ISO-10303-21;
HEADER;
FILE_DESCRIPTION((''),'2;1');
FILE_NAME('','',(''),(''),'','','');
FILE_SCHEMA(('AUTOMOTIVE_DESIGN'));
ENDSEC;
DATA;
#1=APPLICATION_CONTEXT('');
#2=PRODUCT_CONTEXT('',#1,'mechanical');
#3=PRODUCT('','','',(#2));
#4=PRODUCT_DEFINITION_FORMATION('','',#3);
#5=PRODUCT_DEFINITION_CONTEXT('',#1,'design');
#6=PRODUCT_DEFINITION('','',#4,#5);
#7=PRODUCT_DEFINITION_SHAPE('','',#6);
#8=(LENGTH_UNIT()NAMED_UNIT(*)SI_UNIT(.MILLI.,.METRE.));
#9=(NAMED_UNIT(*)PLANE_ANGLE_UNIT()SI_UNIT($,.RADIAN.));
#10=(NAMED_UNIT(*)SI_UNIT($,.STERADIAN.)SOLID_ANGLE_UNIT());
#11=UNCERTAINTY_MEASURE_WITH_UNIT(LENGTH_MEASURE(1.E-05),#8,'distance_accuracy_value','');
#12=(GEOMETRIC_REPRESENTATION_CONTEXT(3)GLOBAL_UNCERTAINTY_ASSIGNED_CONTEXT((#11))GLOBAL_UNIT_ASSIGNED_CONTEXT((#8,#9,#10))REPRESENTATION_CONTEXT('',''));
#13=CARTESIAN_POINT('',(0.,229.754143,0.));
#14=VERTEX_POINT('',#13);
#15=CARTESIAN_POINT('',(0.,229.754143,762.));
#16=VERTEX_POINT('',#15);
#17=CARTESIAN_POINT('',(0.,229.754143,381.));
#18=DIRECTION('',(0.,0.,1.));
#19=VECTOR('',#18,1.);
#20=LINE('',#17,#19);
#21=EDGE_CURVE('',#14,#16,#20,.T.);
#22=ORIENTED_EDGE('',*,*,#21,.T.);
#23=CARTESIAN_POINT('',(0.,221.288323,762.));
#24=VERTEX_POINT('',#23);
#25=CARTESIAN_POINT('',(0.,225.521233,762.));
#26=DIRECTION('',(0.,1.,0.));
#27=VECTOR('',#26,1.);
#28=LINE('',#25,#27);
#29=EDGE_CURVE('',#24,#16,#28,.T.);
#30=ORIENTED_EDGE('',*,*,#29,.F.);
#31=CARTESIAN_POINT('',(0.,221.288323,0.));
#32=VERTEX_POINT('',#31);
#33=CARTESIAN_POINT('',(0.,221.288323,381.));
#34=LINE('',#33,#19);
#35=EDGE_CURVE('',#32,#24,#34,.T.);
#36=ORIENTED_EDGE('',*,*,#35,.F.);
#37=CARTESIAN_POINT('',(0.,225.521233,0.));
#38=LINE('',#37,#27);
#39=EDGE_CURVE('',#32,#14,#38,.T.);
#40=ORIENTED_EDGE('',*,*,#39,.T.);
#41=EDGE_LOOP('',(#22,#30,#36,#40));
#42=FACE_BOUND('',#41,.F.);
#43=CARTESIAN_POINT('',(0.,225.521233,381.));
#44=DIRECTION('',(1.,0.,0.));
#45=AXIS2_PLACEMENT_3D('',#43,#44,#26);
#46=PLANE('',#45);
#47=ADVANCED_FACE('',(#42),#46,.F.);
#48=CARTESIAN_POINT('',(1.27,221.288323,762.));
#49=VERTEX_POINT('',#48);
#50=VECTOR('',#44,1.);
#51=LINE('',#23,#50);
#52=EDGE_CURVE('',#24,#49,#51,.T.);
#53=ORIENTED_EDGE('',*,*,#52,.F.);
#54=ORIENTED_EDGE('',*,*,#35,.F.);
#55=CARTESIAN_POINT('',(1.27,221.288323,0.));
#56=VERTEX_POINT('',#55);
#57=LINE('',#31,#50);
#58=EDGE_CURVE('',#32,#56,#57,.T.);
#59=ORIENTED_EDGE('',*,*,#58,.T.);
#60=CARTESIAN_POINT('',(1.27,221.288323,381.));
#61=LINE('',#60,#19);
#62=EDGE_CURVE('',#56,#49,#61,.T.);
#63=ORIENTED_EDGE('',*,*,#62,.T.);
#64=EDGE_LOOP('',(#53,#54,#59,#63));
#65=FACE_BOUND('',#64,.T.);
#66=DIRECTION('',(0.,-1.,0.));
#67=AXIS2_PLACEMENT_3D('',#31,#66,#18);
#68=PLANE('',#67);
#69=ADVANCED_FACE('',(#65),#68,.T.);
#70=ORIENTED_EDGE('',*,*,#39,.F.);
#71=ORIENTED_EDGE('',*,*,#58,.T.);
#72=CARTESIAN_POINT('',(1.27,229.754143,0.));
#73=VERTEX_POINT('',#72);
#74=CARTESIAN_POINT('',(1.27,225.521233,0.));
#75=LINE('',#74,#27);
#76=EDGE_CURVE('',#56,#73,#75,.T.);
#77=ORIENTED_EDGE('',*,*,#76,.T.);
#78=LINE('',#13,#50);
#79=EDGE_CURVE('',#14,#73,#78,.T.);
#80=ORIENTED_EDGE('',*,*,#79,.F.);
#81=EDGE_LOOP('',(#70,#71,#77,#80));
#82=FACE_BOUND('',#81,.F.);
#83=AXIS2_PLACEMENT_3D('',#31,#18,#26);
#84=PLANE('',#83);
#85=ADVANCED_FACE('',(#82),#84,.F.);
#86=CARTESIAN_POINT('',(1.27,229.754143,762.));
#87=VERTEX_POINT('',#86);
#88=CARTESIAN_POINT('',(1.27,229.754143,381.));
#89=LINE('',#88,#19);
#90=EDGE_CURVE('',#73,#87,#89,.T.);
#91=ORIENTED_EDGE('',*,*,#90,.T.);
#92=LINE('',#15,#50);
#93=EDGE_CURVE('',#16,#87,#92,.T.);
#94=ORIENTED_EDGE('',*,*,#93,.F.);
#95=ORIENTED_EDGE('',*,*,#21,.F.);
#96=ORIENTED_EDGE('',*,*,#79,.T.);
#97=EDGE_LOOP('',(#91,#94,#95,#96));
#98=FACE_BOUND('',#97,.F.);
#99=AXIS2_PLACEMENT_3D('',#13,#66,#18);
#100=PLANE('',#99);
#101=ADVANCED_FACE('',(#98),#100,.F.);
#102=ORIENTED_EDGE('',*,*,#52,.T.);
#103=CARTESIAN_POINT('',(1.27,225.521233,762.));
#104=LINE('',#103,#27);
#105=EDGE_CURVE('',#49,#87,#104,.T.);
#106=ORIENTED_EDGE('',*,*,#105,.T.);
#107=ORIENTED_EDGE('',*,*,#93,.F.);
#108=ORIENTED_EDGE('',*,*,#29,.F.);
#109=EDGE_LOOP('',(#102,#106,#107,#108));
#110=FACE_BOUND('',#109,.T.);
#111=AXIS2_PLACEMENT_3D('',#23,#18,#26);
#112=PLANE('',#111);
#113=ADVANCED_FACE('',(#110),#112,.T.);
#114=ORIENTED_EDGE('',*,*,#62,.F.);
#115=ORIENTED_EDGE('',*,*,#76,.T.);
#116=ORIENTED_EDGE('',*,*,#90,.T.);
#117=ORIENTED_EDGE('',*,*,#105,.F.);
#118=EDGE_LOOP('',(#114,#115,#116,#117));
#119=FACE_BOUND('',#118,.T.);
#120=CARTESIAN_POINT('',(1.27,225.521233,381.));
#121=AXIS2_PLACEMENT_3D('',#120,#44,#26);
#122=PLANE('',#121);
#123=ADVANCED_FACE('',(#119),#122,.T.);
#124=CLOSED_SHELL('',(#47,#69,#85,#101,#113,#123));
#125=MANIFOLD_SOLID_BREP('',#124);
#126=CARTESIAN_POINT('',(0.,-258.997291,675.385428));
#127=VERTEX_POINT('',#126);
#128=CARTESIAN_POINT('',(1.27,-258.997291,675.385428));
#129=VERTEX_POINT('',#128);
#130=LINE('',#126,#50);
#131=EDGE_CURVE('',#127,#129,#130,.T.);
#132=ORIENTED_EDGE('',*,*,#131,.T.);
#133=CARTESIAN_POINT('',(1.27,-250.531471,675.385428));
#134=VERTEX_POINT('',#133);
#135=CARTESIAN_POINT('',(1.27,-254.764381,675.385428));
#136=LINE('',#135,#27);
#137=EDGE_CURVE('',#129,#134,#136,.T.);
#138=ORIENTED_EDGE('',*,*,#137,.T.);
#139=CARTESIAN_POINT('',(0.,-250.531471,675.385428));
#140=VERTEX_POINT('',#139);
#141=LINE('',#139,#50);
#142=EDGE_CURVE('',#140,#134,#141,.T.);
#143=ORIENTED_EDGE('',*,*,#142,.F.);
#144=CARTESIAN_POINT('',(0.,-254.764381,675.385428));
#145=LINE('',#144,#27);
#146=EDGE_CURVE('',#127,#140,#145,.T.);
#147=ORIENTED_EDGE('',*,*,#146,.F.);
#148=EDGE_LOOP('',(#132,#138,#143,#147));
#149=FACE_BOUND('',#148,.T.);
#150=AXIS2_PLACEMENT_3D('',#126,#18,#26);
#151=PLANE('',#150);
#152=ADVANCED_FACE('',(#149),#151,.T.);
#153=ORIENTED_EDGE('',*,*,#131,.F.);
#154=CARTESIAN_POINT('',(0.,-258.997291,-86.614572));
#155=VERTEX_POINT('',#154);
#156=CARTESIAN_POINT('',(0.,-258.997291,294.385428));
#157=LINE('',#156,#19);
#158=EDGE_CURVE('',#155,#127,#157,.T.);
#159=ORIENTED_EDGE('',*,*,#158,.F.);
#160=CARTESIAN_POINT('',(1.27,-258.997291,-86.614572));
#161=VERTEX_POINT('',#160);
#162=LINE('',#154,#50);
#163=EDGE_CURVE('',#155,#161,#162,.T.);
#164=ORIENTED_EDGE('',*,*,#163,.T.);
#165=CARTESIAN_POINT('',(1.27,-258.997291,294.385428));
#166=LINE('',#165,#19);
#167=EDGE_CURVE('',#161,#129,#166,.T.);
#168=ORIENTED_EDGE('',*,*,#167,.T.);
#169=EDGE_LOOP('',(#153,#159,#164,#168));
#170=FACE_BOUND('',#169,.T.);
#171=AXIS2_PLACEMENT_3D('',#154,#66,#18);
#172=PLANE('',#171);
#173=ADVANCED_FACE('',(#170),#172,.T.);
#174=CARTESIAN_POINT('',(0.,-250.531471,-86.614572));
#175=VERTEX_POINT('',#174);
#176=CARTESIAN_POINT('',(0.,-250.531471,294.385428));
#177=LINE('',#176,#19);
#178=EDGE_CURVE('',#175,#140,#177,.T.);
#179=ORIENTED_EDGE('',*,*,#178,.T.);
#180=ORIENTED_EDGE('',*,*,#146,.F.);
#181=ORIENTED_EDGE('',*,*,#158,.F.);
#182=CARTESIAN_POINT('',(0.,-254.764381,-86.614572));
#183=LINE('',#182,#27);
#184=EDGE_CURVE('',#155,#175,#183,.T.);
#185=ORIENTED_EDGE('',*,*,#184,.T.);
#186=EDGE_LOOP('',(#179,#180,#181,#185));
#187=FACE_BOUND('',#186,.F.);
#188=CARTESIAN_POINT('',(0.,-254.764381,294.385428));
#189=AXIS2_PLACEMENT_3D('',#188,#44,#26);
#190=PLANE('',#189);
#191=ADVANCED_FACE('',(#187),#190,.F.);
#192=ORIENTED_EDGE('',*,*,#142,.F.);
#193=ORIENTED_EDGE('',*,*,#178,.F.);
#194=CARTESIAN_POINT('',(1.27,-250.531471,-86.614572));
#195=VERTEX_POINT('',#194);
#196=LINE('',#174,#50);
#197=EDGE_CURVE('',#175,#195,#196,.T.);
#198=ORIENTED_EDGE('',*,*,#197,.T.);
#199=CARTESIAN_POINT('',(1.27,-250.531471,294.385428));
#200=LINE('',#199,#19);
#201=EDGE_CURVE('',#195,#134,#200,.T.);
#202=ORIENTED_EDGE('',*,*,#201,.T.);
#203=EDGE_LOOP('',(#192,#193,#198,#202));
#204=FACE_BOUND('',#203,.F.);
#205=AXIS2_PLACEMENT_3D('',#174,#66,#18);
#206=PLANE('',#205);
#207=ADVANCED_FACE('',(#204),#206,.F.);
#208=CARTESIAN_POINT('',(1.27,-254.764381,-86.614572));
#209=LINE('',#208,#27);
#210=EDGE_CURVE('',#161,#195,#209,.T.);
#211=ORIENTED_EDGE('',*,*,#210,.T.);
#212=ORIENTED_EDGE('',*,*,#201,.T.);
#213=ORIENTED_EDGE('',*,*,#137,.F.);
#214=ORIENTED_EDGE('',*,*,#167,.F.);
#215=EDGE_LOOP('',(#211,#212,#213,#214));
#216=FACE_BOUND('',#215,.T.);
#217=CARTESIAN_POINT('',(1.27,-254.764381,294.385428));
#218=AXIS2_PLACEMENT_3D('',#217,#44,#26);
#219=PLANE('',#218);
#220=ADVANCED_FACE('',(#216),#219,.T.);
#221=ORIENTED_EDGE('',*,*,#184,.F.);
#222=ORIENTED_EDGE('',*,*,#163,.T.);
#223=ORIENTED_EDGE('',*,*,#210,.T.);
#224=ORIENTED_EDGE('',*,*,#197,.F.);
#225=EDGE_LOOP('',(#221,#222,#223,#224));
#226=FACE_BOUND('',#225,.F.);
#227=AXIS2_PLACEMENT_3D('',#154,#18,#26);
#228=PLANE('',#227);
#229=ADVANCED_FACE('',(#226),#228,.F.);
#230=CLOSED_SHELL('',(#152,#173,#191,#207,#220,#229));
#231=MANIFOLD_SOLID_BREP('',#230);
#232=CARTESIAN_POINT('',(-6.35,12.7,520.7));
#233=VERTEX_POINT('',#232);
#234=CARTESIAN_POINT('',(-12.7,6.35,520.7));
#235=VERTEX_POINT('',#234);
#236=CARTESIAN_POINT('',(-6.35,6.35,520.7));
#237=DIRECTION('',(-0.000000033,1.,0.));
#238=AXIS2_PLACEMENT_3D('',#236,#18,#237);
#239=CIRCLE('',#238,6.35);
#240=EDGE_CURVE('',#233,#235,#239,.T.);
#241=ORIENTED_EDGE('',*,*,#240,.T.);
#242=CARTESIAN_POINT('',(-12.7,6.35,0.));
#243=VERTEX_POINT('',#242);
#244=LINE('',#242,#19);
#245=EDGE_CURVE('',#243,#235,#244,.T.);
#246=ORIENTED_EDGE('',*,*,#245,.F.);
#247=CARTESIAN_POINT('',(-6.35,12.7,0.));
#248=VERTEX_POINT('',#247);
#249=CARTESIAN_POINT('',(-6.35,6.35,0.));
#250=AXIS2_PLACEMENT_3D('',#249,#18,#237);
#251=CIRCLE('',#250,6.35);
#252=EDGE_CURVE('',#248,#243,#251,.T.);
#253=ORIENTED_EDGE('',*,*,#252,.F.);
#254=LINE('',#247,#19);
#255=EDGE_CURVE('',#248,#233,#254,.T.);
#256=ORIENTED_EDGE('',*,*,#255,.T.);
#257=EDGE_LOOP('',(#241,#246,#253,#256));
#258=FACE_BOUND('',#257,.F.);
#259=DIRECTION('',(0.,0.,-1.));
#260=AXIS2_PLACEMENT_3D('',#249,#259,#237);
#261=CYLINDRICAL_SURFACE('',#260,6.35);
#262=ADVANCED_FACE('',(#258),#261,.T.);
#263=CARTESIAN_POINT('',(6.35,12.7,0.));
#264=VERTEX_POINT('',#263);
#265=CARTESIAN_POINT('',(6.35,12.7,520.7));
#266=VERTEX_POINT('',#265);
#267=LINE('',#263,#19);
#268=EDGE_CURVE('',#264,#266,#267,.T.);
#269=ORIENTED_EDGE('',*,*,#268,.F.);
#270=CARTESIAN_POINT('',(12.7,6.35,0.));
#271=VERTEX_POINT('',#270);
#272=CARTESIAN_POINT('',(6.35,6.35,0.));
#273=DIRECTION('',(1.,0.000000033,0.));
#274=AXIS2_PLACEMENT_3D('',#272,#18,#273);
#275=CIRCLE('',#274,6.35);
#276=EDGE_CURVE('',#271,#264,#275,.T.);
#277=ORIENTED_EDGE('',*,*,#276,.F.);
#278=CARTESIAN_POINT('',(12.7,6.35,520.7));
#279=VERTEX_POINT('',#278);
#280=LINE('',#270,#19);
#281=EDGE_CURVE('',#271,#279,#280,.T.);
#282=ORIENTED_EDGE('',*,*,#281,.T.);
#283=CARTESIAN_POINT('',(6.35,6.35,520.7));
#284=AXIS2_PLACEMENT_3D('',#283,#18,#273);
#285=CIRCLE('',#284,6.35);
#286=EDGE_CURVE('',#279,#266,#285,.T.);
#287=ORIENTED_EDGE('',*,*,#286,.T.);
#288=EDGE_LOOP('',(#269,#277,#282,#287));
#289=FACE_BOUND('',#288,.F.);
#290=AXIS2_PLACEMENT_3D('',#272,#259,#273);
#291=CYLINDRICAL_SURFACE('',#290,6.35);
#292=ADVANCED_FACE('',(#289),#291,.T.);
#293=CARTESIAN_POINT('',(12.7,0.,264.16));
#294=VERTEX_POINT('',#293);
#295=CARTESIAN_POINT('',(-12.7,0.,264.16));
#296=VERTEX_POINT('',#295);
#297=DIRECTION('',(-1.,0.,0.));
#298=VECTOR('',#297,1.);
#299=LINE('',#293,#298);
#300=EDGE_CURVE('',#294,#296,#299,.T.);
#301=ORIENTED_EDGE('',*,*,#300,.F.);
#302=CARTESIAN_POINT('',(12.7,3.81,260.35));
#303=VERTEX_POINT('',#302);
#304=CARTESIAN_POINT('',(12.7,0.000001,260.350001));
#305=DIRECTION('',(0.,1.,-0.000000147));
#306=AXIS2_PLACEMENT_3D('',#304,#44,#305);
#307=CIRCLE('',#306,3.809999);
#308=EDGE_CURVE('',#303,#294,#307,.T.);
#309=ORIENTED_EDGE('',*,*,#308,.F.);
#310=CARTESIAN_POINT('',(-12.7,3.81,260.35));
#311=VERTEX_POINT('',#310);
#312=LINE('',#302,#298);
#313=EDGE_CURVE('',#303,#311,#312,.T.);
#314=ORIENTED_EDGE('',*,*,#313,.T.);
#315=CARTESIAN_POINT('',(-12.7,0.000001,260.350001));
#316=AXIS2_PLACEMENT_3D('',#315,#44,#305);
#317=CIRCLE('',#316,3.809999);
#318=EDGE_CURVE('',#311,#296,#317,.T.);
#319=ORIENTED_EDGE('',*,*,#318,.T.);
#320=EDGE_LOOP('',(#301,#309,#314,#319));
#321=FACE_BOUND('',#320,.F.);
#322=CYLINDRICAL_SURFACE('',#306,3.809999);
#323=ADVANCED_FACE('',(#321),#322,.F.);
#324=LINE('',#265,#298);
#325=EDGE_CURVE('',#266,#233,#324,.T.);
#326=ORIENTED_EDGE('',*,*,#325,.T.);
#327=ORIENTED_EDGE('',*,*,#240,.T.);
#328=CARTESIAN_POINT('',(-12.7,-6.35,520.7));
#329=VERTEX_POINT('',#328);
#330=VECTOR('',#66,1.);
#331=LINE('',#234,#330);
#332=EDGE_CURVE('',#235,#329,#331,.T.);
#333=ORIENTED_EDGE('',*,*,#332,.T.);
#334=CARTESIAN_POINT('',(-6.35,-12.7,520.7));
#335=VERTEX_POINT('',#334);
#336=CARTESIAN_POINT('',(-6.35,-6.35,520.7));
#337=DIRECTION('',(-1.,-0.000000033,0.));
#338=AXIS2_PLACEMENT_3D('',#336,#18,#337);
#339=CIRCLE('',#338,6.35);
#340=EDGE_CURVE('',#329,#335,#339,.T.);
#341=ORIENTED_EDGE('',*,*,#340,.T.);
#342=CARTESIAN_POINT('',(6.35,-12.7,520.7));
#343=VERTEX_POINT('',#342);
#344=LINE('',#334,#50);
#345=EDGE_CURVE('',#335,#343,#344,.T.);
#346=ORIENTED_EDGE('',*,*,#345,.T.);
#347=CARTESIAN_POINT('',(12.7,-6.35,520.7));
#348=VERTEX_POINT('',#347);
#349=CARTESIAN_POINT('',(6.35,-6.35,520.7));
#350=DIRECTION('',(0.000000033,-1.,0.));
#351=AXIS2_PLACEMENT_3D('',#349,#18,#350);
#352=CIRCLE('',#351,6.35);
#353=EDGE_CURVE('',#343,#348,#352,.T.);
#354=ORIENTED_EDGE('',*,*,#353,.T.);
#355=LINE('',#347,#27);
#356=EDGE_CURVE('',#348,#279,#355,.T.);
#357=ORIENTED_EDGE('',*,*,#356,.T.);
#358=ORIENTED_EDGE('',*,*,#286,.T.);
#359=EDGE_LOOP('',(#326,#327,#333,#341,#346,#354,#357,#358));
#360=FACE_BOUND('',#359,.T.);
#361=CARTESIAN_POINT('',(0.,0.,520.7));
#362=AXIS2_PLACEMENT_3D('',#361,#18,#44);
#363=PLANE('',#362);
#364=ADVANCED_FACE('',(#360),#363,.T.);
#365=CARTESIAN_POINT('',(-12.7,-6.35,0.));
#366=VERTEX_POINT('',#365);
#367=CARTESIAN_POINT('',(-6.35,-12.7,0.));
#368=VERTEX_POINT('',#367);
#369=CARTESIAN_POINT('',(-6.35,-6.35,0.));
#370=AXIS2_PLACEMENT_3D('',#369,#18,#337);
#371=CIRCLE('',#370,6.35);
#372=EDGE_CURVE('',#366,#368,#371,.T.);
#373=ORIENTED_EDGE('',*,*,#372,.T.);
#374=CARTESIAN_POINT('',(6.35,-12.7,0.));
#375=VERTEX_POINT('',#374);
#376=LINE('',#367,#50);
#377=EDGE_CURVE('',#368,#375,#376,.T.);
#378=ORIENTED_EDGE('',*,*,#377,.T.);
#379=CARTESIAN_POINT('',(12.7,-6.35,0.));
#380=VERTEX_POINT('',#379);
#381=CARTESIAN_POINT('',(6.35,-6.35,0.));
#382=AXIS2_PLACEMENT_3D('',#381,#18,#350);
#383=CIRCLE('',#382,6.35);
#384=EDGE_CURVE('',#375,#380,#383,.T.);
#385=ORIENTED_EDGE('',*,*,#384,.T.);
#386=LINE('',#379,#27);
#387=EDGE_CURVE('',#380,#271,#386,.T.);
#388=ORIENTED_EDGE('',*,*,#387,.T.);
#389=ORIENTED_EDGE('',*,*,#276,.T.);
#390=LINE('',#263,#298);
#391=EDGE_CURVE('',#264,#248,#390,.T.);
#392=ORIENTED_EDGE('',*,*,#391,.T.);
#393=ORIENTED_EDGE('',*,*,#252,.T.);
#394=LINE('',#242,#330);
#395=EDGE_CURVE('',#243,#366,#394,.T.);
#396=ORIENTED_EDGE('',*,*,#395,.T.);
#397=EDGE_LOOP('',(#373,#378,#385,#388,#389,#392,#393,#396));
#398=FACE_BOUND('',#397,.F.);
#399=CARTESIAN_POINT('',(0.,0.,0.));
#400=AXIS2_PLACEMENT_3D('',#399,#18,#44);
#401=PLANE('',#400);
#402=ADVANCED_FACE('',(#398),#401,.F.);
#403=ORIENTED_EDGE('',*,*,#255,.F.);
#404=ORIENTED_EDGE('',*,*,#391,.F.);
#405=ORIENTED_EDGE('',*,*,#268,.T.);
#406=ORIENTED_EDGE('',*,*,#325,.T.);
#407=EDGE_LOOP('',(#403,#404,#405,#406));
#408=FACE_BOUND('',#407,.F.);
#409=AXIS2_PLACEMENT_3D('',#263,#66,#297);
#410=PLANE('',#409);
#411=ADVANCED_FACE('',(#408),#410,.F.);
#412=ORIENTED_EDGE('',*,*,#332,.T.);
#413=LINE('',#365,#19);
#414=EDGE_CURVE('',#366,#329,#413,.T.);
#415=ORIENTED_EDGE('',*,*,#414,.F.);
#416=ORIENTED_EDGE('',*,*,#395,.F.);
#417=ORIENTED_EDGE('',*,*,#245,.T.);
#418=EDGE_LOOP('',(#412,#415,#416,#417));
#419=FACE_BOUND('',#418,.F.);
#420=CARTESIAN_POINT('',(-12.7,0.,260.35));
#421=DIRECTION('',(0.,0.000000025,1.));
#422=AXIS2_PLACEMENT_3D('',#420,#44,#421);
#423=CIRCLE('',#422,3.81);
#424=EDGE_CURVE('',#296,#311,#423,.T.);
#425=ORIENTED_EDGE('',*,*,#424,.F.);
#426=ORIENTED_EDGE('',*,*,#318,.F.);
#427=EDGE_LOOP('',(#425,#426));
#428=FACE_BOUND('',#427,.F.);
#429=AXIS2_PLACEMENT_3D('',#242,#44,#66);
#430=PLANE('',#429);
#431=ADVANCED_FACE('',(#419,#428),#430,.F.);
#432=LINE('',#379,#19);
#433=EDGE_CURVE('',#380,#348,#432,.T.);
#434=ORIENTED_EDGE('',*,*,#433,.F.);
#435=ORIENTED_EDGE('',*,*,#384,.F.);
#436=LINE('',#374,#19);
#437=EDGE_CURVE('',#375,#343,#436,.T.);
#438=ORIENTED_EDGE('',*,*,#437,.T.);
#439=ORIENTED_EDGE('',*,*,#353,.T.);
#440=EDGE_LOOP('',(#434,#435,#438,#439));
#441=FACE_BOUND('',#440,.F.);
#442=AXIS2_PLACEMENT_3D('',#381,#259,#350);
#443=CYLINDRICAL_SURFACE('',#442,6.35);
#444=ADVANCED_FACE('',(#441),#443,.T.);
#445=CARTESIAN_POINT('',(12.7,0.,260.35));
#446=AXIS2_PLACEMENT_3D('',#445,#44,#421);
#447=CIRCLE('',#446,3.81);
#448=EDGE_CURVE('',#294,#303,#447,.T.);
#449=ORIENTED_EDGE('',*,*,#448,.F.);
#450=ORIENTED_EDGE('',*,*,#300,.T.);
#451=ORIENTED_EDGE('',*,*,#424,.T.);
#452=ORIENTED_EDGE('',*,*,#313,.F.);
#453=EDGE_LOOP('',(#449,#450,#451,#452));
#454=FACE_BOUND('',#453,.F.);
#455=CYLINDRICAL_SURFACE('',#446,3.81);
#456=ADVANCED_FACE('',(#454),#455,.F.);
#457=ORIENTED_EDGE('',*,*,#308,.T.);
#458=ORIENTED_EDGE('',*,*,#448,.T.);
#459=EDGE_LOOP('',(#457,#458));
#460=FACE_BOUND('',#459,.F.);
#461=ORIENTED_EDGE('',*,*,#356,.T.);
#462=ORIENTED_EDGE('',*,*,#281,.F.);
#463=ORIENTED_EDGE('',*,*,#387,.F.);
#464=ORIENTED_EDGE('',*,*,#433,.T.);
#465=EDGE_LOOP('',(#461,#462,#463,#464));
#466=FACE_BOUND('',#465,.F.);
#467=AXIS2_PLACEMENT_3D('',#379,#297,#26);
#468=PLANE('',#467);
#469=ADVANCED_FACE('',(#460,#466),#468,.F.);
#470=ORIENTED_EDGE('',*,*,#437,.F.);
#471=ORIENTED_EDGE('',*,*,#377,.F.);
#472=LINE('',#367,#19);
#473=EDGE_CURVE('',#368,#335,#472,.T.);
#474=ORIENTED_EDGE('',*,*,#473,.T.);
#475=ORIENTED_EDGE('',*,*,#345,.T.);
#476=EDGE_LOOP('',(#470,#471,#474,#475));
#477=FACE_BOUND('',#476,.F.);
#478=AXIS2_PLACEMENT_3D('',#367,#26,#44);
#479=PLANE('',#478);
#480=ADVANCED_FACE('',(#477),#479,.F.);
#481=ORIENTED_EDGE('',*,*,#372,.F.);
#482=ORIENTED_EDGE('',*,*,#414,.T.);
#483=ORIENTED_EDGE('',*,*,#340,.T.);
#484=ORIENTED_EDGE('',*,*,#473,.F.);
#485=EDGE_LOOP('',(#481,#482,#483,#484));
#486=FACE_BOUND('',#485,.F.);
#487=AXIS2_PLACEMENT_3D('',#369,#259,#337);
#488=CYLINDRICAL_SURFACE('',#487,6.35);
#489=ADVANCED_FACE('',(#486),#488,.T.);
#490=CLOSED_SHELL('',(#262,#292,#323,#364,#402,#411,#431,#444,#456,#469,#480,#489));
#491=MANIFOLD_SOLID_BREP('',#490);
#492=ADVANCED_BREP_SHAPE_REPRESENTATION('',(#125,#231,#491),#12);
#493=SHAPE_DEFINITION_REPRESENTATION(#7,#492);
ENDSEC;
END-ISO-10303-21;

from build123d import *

# Parameters (mm, degrees)
F1_DEPTH = 520.7
F2_W     = 8.46582
F2_H     = 762
F3_DEPTH = 1.27
F4_W     = 8.46582
F4_H     = 762
F5_DEPTH = 1.27
F7_DEPTH = 25.4


with BuildPart() as f1:
    # F0 (on Top) → F1 (new body)
    with BuildSketch(Plane.XY):
        with BuildLine():
            ThreePointArc((12.7, 6.35), (10.840128, 10.840128), (6.35, 12.7))
            Line((6.35, 12.7), (-6.35, 12.7))
            ThreePointArc((-6.35, 12.7), (-10.840128, 10.840128), (-12.7, 6.35))
            Line((-12.7, 6.35), (-12.7, -6.35))
            ThreePointArc((-12.7, -6.35), (-10.840128, -10.840128), (-6.35, -12.7))
            Line((-6.35, -12.7), (6.35, -12.7))
            ThreePointArc((6.35, -12.7), (10.840128, -10.840128), (12.7, -6.35))
            Line((12.7, -6.35), (12.7, 6.35))
        make_face()
    extrude(amount=F1_DEPTH)

    # F6 (on face) → F7 (cut)
    with BuildSketch(Plane.YZ.offset(12.7)):
        with BuildLine():
            ThreePointArc((3.81, 260.35), (2.694077, 263.044077), (0, 264.16))
            ThreePointArc((0, 264.16), (-2.694077, 257.655923), (3.81, 260.35))
        make_face()
    extrude(amount=-F7_DEPTH, mode=Mode.SUBTRACT)


with BuildPart() as f3:
    # F2 (on Right) → F3 (new body)
    with BuildSketch(Plane.YZ):
        with Locations((-254.764381, 294.385428)):
            Rectangle(F2_W, F2_H)
    extrude(amount=F3_DEPTH)


with BuildPart() as f5:
    # F4 (on Right) → F5 (new body)
    with BuildSketch(Plane.YZ):
        with Locations((225.521233, 381)):
            Rectangle(F4_W, F4_H)
    extrude(amount=F5_DEPTH)


solid = Compound([f1.part, f3.part, f5.part])
